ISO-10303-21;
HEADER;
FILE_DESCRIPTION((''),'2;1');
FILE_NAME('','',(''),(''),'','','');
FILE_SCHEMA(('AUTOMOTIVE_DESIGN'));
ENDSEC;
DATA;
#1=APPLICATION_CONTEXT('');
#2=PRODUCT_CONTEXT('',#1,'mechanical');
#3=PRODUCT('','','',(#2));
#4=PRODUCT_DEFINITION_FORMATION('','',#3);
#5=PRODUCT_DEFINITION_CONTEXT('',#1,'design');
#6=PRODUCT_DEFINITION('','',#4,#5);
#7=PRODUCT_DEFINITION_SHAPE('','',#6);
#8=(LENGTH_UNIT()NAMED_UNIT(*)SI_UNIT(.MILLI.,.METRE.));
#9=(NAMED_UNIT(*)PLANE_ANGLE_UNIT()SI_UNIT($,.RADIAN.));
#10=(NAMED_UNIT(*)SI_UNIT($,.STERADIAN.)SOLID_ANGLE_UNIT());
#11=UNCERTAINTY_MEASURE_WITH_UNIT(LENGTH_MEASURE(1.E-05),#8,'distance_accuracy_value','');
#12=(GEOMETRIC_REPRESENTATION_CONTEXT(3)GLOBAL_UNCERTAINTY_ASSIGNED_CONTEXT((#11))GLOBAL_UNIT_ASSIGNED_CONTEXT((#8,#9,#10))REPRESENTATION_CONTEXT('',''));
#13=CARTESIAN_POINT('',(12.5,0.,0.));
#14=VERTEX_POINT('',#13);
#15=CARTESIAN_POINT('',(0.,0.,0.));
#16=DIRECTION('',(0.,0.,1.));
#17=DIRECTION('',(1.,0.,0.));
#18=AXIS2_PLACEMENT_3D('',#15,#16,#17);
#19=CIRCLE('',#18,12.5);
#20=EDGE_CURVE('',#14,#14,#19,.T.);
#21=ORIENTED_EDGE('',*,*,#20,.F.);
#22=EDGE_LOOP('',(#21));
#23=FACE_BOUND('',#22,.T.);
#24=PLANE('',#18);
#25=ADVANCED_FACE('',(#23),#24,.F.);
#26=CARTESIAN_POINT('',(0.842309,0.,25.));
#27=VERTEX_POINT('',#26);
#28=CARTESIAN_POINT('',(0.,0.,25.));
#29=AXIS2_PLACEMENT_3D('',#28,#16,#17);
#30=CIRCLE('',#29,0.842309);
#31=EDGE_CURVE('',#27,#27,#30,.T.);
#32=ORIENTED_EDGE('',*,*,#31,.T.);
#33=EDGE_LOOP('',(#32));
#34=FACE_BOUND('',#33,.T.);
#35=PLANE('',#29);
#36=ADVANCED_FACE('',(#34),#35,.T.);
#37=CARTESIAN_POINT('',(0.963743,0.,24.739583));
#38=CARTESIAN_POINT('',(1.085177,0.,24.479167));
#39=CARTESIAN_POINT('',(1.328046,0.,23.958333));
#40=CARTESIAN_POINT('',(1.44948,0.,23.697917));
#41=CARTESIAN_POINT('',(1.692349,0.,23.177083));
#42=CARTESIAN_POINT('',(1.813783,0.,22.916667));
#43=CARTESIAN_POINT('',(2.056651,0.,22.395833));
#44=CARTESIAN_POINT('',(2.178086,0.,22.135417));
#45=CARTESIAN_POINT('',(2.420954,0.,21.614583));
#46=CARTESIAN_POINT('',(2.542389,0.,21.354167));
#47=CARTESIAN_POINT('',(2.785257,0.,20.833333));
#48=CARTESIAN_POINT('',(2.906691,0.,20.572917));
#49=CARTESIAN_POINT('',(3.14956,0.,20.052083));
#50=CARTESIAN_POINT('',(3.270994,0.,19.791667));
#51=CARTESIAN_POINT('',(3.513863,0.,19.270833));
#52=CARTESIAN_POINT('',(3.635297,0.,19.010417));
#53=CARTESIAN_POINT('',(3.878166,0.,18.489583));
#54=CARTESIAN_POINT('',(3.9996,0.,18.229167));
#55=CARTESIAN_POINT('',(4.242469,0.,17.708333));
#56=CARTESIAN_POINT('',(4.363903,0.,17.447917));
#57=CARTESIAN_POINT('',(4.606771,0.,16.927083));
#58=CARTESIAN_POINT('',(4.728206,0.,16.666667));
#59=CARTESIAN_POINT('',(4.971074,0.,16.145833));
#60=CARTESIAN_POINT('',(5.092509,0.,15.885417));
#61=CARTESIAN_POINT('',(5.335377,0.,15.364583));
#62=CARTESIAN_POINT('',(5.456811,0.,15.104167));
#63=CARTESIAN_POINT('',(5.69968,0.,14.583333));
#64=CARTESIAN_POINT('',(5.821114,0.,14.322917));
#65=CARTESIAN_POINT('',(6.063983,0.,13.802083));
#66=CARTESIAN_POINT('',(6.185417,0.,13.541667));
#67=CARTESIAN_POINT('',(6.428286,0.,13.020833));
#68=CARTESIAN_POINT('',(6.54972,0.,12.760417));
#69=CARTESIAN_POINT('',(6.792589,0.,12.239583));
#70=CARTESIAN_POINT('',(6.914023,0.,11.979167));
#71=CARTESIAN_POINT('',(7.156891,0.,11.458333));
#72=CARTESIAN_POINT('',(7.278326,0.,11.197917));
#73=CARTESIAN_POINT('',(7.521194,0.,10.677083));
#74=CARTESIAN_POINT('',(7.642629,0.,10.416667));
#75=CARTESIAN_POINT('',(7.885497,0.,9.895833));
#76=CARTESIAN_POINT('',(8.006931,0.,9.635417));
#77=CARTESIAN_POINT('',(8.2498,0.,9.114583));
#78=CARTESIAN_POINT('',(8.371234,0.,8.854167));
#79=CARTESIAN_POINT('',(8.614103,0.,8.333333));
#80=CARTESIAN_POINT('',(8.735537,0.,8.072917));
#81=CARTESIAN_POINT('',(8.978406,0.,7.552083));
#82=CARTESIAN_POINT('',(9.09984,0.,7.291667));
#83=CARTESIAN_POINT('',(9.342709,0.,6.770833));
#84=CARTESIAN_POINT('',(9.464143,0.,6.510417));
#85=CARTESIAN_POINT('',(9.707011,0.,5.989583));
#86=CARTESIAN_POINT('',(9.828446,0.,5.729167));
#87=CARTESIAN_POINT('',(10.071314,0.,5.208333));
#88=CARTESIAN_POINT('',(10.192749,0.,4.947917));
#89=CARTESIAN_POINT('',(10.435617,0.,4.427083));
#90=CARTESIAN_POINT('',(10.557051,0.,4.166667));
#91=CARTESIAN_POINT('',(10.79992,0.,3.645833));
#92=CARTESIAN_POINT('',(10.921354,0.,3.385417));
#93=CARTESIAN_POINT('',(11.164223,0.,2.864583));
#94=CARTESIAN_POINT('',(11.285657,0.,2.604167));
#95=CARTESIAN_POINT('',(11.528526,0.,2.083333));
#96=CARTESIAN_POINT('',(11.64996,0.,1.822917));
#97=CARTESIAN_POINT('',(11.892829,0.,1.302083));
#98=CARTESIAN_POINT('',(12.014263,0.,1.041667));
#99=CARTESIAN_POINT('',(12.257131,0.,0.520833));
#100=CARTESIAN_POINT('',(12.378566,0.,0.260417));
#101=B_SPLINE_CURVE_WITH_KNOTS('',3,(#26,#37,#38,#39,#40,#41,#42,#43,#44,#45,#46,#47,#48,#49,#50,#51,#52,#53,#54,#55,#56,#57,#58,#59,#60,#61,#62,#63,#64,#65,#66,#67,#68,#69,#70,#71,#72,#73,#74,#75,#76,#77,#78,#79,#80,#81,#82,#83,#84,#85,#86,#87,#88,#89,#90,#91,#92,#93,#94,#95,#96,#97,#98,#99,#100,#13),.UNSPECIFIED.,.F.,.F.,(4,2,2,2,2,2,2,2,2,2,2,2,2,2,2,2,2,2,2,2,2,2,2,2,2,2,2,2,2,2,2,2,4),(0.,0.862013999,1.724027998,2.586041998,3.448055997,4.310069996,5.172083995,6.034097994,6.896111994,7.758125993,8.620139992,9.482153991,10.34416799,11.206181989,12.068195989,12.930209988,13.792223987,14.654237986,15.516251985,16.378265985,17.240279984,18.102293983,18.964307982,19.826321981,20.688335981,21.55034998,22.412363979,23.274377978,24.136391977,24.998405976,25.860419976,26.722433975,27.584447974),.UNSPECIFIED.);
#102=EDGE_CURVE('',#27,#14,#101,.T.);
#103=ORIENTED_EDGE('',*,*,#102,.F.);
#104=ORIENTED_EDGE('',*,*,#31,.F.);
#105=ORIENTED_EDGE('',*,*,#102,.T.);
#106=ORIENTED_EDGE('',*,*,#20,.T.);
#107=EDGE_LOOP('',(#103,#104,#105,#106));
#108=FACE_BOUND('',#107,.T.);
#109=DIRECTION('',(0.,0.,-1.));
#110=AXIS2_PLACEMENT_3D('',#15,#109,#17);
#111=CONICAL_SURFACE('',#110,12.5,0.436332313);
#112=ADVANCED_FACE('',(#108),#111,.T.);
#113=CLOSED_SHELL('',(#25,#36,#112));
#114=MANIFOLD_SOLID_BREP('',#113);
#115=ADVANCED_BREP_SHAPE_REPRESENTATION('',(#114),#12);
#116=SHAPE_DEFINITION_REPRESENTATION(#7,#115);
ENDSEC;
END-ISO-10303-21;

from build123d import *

# Parameters (mm, degrees)
SKETCH1_R           = 12.5
BOSS_EXTRUDE1_DEPTH = 25
BOSS_EXTRUDE1_TAPER = 25


with BuildPart() as part:
    # Sketch1 → Boss-Extrude1 (new body)
    with BuildSketch(Plane.XY):
        Circle(SKETCH1_R)
    extrude(amount=BOSS_EXTRUDE1_DEPTH, taper=BOSS_EXTRUDE1_TAPER)


solid = part.part
